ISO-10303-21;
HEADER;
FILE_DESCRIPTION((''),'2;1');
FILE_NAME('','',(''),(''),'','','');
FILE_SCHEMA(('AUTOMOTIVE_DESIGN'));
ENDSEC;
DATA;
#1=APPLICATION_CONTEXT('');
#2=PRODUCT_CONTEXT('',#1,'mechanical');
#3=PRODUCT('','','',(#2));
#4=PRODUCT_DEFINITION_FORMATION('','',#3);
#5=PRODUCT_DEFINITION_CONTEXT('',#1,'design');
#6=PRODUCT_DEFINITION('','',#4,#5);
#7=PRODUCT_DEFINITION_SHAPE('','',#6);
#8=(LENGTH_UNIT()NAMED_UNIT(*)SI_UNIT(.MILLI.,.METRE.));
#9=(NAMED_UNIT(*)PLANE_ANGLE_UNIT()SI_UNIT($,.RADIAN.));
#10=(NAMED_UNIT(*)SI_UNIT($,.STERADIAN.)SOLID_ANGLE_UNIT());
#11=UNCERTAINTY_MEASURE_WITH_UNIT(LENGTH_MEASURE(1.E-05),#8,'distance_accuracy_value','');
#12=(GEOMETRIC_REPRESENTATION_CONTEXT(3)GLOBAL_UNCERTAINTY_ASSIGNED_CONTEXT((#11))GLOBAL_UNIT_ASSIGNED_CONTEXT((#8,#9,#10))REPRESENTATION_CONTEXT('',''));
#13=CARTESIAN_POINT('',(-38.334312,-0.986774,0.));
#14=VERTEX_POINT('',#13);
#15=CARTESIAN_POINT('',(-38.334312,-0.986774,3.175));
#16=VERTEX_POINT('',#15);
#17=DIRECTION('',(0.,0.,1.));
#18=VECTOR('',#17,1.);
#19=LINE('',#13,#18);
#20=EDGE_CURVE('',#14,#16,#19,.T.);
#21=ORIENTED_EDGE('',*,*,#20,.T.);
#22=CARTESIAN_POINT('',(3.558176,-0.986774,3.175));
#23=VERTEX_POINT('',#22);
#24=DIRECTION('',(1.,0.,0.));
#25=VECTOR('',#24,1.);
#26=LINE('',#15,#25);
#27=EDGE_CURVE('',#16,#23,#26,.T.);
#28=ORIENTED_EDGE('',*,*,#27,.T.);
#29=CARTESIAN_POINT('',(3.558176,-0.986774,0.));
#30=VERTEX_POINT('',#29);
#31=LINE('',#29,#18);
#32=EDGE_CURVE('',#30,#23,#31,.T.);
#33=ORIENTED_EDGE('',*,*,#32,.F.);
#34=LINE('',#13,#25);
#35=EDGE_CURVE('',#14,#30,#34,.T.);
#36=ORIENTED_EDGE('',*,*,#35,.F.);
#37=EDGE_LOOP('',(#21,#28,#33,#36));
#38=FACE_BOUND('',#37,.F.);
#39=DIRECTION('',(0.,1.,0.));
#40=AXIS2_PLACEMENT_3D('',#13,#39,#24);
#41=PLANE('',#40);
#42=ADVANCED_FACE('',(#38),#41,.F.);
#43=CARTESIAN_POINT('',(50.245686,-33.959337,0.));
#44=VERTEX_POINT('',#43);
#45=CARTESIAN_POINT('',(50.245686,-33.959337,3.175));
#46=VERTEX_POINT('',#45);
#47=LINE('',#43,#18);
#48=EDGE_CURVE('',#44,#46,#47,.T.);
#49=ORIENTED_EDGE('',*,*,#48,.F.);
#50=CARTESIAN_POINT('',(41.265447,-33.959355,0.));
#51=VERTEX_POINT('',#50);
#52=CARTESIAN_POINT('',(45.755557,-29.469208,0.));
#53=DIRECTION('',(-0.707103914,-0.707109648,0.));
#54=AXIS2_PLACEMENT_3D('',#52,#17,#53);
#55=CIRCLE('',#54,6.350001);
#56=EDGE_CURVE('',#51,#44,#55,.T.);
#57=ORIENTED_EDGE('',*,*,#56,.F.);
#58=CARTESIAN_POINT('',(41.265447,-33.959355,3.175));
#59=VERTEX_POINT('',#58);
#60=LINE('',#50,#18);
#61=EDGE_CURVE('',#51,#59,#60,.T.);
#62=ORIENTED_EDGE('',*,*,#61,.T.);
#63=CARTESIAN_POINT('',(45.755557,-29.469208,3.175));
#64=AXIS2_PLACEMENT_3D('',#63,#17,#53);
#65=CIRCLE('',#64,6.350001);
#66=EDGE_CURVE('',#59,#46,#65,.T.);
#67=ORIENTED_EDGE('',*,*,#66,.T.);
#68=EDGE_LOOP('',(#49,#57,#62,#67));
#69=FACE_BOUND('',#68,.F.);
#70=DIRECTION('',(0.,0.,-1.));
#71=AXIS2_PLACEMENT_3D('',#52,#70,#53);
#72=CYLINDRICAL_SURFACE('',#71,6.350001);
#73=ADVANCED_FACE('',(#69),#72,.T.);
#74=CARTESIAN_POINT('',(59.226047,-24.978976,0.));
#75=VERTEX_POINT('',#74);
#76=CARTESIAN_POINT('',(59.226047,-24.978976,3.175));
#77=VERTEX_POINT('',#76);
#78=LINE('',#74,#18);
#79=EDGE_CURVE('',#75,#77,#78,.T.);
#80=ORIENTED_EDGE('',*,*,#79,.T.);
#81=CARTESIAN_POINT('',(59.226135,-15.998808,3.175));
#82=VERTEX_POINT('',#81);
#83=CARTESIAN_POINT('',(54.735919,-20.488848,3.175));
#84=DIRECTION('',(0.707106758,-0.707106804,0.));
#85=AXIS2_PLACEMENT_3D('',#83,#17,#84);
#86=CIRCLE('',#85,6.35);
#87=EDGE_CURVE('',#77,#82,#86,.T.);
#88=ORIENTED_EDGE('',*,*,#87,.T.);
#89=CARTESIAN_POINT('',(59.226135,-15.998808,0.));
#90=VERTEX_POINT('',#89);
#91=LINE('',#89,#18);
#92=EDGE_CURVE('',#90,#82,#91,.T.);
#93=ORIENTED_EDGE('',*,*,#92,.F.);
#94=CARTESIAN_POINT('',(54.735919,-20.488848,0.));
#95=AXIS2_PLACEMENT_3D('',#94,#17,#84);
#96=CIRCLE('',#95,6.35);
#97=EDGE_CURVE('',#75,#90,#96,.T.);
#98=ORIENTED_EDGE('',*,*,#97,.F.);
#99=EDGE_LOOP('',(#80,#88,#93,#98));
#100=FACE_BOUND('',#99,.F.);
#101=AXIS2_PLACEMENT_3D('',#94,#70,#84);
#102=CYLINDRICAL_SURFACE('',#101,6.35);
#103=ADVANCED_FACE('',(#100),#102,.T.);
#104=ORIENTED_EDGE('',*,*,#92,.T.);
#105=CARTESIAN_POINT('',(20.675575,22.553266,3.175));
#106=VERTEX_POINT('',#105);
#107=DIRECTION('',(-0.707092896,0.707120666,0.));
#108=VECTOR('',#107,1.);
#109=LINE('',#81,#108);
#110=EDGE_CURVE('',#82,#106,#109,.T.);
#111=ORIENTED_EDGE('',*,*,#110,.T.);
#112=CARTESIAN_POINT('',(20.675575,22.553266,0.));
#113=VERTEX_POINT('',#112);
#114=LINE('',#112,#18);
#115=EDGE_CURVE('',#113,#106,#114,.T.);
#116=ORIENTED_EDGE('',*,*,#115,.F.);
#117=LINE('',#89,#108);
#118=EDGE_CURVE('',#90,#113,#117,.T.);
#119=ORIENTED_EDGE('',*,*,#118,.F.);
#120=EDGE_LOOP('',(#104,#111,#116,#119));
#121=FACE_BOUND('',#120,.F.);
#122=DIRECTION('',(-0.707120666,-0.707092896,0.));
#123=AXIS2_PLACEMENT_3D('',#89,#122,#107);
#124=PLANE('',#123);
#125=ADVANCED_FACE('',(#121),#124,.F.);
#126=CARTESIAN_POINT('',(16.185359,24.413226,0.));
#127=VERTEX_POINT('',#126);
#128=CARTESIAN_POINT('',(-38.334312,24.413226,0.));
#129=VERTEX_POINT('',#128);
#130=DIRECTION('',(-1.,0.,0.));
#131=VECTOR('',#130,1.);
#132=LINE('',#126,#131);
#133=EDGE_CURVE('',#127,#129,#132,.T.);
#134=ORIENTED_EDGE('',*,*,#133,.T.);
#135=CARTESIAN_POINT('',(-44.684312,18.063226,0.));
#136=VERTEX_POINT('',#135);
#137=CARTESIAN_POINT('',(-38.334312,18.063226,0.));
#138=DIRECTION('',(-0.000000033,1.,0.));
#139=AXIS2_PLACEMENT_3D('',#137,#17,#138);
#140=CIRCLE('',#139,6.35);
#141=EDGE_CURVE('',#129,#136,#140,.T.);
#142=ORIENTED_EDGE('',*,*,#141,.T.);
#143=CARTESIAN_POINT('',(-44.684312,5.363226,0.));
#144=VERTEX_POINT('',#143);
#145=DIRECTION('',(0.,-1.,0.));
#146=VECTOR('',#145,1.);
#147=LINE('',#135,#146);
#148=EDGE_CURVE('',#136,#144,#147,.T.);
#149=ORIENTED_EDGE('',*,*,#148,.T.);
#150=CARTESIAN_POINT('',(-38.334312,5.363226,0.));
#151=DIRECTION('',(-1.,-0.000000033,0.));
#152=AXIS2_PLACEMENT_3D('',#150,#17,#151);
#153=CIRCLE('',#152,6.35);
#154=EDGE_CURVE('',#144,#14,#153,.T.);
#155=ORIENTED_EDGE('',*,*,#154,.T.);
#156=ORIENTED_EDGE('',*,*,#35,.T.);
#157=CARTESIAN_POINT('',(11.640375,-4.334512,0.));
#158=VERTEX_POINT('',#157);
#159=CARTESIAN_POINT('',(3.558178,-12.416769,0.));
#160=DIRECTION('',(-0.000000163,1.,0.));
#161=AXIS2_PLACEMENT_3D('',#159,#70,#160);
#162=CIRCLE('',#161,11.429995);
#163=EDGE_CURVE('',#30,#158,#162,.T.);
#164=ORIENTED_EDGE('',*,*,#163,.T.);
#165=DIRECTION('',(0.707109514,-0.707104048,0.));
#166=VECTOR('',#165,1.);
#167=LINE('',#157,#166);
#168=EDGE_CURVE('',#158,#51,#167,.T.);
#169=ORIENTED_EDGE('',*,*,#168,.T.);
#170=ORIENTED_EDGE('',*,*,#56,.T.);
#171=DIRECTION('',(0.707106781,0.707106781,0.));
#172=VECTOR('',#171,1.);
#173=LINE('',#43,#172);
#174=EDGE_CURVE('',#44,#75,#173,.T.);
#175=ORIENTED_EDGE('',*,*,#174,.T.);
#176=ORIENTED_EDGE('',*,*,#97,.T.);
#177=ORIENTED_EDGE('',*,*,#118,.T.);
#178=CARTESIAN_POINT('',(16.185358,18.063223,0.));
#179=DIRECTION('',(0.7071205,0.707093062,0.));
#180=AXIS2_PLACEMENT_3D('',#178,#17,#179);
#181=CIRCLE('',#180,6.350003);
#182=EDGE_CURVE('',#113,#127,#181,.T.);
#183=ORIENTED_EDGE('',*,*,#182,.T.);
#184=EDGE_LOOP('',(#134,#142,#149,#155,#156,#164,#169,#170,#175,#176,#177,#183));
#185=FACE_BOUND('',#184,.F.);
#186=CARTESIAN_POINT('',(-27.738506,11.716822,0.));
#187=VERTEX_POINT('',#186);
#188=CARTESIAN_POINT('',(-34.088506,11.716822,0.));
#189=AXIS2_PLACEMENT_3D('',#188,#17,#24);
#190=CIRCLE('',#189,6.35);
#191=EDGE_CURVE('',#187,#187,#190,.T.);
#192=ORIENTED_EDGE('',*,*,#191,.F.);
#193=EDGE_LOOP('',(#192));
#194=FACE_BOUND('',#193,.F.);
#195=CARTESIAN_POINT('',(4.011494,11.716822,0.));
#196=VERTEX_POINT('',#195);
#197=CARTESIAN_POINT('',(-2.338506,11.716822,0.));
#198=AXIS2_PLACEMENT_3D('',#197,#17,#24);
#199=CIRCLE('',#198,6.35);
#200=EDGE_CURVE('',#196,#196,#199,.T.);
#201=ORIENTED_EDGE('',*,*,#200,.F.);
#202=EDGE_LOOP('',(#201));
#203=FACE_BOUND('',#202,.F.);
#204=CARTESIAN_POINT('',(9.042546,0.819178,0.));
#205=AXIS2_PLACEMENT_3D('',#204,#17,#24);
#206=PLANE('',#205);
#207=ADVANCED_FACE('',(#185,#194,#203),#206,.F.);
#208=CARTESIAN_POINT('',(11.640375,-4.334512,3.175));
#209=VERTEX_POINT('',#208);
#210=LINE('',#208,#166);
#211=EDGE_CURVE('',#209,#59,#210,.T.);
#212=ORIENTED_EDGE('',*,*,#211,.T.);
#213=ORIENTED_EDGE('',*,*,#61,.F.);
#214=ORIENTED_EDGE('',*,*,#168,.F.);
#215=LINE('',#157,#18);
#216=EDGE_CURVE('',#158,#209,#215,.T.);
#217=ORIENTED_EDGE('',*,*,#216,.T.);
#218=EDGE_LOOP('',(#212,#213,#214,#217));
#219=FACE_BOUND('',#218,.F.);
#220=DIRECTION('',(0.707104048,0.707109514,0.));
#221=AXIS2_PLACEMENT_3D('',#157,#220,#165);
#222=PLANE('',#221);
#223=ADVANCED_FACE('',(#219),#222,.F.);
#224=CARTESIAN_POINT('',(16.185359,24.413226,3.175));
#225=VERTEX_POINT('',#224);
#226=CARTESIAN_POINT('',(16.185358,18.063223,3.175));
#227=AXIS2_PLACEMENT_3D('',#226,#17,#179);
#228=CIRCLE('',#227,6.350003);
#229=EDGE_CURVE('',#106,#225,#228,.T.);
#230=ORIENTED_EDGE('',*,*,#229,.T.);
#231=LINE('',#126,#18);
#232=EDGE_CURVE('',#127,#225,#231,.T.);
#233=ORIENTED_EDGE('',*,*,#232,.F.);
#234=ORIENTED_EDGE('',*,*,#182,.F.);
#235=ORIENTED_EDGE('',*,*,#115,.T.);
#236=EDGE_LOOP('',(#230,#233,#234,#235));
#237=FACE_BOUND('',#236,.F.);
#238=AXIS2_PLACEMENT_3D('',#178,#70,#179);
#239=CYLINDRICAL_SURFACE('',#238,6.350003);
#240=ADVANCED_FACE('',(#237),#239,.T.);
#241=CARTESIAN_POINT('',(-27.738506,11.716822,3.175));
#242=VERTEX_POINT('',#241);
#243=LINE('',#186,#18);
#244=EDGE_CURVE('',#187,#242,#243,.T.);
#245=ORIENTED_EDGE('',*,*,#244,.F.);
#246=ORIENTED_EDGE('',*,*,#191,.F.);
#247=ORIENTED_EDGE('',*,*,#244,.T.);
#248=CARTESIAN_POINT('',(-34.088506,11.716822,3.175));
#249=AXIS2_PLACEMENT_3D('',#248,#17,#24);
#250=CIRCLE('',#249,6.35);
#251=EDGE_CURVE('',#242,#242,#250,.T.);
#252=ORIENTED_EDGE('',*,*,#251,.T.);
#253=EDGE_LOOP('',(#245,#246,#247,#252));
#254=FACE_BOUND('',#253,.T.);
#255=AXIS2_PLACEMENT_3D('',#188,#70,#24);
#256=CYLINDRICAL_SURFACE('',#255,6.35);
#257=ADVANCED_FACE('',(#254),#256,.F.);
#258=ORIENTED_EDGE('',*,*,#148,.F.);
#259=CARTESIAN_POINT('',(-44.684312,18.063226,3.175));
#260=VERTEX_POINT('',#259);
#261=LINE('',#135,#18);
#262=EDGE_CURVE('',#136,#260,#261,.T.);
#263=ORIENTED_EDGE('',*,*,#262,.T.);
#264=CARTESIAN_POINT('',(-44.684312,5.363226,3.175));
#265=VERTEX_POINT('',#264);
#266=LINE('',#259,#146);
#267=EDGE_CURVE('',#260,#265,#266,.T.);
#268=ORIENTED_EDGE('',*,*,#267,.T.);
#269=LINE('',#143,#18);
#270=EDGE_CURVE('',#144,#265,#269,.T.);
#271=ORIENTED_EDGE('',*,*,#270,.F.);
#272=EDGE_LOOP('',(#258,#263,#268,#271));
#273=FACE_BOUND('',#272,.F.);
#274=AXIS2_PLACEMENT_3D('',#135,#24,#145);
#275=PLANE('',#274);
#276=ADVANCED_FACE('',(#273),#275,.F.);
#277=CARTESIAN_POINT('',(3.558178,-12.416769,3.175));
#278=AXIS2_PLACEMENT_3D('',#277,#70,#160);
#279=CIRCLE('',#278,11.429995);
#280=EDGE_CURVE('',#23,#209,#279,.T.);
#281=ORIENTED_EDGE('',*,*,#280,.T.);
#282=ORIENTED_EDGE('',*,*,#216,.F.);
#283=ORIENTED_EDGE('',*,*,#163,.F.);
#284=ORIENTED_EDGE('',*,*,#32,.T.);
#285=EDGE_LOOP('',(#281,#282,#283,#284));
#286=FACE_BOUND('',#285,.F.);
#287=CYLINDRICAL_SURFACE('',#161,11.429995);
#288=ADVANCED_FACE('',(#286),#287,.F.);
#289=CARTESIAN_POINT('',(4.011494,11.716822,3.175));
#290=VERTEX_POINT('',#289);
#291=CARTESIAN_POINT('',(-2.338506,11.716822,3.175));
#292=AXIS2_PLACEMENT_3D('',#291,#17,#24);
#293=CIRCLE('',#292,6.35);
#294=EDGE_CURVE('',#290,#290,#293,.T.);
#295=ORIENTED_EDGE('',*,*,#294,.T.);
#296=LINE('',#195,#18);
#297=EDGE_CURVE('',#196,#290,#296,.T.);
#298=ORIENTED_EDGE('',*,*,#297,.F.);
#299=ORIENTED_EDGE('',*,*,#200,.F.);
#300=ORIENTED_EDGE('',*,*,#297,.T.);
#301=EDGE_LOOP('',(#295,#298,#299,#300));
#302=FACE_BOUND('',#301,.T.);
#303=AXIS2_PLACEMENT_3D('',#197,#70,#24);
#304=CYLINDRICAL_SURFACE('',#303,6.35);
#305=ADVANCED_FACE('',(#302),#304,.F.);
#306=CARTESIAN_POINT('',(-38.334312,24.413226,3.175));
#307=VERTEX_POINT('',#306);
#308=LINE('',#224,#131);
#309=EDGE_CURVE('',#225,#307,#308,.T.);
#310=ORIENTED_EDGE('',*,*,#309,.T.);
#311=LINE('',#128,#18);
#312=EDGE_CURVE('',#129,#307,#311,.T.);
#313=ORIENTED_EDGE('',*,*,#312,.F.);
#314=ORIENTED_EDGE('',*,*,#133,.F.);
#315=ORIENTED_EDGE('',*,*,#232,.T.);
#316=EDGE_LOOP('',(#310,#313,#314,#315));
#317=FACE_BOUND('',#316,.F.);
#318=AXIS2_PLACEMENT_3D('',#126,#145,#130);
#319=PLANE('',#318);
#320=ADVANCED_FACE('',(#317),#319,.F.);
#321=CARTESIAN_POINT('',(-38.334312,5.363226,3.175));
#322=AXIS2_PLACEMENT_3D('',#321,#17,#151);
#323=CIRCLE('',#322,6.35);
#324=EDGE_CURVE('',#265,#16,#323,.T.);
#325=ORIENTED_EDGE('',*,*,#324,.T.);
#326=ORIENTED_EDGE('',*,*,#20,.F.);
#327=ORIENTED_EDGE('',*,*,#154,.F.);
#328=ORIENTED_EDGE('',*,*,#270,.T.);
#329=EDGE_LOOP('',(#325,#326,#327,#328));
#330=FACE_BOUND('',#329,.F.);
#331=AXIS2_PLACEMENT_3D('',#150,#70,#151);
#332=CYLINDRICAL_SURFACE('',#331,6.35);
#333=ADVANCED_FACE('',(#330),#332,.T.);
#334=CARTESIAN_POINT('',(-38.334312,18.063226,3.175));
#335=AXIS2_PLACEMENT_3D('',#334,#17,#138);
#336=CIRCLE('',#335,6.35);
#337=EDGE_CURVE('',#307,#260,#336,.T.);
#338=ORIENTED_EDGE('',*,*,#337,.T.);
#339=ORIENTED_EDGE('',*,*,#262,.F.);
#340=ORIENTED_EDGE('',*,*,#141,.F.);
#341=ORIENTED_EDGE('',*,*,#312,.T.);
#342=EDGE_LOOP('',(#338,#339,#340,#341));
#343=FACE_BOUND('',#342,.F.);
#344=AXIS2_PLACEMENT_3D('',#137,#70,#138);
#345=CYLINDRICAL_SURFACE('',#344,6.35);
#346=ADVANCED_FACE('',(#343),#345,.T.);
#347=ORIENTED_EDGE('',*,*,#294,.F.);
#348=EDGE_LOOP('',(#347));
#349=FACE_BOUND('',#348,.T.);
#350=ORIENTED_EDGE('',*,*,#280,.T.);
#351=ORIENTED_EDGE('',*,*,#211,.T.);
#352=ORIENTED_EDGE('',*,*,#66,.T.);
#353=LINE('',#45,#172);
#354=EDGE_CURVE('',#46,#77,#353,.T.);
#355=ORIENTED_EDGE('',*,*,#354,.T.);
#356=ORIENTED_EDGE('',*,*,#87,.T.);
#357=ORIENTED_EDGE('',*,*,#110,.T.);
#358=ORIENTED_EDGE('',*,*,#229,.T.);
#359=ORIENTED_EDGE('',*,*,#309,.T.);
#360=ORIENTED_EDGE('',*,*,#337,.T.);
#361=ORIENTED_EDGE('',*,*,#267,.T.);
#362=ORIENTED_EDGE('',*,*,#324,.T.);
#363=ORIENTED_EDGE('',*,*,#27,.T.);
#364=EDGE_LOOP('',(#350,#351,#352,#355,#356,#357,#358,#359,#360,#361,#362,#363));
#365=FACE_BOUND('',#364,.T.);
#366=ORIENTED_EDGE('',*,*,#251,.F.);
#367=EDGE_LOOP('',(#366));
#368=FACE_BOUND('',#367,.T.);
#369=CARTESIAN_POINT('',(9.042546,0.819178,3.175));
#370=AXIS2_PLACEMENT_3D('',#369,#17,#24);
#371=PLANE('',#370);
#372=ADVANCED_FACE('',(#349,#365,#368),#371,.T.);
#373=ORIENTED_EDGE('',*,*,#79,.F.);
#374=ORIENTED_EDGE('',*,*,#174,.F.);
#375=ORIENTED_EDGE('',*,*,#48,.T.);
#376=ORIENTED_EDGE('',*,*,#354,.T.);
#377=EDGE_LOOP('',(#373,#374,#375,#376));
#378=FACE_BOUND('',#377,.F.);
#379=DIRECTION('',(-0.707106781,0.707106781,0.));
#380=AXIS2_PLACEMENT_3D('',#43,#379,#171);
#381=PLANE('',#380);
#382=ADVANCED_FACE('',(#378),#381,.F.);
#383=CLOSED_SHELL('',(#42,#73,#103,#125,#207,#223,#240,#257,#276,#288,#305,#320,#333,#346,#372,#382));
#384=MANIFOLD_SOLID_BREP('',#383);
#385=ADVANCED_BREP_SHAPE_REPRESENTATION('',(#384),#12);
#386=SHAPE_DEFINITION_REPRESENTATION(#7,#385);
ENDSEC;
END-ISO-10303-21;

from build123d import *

# Parameters (mm, degrees)
F0_R     = 6.35
F1_DEPTH = 3.175


with BuildPart() as f1:
    # F0 (on Top) → F1 (new body)
    with BuildSketch(Plane.XY):
        with BuildLine():
            Line((50.245686, -33.959337), (59.226047, -24.978976))
            ThreePointArc((59.226047, -24.978976), (61.085919, -20.48891), (59.226135, -15.998808))
            Line((59.226135, -15.998808), (20.675575, 22.553266))
            ThreePointArc((20.675575, 22.553266), (18.615456, 23.929837), (16.185359, 24.413226))
            Line((16.185359, 24.413226), (-38.334312, 24.413226))
            ThreePointArc((-38.334312, 24.413226), (-42.82444, 22.553354), (-44.684312, 18.063226))
            Line((-44.684312, 18.063226), (-44.684312, 11.716822))
            Line((-44.684312, 11.716822), (-44.684312, 5.363226))
            ThreePointArc((-44.684312, 5.363226), (-42.82444, 0.873098), (-38.334312, -0.986774))
            Line((-38.334312, -0.986774), (3.558176, -0.986774))
            ThreePointArc((3.558176, -0.986774), (7.932227, -1.856822), (11.640375, -4.334512))
            Line((11.640375, -4.334512), (41.265447, -33.959355))
            ThreePointArc((41.265447, -33.959355), (45.75557, -35.819209), (50.245686, -33.959337))
        make_face()
        with Locations((-34.088506, 11.716822)):
            Circle(F0_R, mode=Mode.SUBTRACT)
        with Locations((-2.338506, 11.716822)):
            Circle(F0_R, mode=Mode.SUBTRACT)
    extrude(amount=F1_DEPTH)


solid = f1.part
